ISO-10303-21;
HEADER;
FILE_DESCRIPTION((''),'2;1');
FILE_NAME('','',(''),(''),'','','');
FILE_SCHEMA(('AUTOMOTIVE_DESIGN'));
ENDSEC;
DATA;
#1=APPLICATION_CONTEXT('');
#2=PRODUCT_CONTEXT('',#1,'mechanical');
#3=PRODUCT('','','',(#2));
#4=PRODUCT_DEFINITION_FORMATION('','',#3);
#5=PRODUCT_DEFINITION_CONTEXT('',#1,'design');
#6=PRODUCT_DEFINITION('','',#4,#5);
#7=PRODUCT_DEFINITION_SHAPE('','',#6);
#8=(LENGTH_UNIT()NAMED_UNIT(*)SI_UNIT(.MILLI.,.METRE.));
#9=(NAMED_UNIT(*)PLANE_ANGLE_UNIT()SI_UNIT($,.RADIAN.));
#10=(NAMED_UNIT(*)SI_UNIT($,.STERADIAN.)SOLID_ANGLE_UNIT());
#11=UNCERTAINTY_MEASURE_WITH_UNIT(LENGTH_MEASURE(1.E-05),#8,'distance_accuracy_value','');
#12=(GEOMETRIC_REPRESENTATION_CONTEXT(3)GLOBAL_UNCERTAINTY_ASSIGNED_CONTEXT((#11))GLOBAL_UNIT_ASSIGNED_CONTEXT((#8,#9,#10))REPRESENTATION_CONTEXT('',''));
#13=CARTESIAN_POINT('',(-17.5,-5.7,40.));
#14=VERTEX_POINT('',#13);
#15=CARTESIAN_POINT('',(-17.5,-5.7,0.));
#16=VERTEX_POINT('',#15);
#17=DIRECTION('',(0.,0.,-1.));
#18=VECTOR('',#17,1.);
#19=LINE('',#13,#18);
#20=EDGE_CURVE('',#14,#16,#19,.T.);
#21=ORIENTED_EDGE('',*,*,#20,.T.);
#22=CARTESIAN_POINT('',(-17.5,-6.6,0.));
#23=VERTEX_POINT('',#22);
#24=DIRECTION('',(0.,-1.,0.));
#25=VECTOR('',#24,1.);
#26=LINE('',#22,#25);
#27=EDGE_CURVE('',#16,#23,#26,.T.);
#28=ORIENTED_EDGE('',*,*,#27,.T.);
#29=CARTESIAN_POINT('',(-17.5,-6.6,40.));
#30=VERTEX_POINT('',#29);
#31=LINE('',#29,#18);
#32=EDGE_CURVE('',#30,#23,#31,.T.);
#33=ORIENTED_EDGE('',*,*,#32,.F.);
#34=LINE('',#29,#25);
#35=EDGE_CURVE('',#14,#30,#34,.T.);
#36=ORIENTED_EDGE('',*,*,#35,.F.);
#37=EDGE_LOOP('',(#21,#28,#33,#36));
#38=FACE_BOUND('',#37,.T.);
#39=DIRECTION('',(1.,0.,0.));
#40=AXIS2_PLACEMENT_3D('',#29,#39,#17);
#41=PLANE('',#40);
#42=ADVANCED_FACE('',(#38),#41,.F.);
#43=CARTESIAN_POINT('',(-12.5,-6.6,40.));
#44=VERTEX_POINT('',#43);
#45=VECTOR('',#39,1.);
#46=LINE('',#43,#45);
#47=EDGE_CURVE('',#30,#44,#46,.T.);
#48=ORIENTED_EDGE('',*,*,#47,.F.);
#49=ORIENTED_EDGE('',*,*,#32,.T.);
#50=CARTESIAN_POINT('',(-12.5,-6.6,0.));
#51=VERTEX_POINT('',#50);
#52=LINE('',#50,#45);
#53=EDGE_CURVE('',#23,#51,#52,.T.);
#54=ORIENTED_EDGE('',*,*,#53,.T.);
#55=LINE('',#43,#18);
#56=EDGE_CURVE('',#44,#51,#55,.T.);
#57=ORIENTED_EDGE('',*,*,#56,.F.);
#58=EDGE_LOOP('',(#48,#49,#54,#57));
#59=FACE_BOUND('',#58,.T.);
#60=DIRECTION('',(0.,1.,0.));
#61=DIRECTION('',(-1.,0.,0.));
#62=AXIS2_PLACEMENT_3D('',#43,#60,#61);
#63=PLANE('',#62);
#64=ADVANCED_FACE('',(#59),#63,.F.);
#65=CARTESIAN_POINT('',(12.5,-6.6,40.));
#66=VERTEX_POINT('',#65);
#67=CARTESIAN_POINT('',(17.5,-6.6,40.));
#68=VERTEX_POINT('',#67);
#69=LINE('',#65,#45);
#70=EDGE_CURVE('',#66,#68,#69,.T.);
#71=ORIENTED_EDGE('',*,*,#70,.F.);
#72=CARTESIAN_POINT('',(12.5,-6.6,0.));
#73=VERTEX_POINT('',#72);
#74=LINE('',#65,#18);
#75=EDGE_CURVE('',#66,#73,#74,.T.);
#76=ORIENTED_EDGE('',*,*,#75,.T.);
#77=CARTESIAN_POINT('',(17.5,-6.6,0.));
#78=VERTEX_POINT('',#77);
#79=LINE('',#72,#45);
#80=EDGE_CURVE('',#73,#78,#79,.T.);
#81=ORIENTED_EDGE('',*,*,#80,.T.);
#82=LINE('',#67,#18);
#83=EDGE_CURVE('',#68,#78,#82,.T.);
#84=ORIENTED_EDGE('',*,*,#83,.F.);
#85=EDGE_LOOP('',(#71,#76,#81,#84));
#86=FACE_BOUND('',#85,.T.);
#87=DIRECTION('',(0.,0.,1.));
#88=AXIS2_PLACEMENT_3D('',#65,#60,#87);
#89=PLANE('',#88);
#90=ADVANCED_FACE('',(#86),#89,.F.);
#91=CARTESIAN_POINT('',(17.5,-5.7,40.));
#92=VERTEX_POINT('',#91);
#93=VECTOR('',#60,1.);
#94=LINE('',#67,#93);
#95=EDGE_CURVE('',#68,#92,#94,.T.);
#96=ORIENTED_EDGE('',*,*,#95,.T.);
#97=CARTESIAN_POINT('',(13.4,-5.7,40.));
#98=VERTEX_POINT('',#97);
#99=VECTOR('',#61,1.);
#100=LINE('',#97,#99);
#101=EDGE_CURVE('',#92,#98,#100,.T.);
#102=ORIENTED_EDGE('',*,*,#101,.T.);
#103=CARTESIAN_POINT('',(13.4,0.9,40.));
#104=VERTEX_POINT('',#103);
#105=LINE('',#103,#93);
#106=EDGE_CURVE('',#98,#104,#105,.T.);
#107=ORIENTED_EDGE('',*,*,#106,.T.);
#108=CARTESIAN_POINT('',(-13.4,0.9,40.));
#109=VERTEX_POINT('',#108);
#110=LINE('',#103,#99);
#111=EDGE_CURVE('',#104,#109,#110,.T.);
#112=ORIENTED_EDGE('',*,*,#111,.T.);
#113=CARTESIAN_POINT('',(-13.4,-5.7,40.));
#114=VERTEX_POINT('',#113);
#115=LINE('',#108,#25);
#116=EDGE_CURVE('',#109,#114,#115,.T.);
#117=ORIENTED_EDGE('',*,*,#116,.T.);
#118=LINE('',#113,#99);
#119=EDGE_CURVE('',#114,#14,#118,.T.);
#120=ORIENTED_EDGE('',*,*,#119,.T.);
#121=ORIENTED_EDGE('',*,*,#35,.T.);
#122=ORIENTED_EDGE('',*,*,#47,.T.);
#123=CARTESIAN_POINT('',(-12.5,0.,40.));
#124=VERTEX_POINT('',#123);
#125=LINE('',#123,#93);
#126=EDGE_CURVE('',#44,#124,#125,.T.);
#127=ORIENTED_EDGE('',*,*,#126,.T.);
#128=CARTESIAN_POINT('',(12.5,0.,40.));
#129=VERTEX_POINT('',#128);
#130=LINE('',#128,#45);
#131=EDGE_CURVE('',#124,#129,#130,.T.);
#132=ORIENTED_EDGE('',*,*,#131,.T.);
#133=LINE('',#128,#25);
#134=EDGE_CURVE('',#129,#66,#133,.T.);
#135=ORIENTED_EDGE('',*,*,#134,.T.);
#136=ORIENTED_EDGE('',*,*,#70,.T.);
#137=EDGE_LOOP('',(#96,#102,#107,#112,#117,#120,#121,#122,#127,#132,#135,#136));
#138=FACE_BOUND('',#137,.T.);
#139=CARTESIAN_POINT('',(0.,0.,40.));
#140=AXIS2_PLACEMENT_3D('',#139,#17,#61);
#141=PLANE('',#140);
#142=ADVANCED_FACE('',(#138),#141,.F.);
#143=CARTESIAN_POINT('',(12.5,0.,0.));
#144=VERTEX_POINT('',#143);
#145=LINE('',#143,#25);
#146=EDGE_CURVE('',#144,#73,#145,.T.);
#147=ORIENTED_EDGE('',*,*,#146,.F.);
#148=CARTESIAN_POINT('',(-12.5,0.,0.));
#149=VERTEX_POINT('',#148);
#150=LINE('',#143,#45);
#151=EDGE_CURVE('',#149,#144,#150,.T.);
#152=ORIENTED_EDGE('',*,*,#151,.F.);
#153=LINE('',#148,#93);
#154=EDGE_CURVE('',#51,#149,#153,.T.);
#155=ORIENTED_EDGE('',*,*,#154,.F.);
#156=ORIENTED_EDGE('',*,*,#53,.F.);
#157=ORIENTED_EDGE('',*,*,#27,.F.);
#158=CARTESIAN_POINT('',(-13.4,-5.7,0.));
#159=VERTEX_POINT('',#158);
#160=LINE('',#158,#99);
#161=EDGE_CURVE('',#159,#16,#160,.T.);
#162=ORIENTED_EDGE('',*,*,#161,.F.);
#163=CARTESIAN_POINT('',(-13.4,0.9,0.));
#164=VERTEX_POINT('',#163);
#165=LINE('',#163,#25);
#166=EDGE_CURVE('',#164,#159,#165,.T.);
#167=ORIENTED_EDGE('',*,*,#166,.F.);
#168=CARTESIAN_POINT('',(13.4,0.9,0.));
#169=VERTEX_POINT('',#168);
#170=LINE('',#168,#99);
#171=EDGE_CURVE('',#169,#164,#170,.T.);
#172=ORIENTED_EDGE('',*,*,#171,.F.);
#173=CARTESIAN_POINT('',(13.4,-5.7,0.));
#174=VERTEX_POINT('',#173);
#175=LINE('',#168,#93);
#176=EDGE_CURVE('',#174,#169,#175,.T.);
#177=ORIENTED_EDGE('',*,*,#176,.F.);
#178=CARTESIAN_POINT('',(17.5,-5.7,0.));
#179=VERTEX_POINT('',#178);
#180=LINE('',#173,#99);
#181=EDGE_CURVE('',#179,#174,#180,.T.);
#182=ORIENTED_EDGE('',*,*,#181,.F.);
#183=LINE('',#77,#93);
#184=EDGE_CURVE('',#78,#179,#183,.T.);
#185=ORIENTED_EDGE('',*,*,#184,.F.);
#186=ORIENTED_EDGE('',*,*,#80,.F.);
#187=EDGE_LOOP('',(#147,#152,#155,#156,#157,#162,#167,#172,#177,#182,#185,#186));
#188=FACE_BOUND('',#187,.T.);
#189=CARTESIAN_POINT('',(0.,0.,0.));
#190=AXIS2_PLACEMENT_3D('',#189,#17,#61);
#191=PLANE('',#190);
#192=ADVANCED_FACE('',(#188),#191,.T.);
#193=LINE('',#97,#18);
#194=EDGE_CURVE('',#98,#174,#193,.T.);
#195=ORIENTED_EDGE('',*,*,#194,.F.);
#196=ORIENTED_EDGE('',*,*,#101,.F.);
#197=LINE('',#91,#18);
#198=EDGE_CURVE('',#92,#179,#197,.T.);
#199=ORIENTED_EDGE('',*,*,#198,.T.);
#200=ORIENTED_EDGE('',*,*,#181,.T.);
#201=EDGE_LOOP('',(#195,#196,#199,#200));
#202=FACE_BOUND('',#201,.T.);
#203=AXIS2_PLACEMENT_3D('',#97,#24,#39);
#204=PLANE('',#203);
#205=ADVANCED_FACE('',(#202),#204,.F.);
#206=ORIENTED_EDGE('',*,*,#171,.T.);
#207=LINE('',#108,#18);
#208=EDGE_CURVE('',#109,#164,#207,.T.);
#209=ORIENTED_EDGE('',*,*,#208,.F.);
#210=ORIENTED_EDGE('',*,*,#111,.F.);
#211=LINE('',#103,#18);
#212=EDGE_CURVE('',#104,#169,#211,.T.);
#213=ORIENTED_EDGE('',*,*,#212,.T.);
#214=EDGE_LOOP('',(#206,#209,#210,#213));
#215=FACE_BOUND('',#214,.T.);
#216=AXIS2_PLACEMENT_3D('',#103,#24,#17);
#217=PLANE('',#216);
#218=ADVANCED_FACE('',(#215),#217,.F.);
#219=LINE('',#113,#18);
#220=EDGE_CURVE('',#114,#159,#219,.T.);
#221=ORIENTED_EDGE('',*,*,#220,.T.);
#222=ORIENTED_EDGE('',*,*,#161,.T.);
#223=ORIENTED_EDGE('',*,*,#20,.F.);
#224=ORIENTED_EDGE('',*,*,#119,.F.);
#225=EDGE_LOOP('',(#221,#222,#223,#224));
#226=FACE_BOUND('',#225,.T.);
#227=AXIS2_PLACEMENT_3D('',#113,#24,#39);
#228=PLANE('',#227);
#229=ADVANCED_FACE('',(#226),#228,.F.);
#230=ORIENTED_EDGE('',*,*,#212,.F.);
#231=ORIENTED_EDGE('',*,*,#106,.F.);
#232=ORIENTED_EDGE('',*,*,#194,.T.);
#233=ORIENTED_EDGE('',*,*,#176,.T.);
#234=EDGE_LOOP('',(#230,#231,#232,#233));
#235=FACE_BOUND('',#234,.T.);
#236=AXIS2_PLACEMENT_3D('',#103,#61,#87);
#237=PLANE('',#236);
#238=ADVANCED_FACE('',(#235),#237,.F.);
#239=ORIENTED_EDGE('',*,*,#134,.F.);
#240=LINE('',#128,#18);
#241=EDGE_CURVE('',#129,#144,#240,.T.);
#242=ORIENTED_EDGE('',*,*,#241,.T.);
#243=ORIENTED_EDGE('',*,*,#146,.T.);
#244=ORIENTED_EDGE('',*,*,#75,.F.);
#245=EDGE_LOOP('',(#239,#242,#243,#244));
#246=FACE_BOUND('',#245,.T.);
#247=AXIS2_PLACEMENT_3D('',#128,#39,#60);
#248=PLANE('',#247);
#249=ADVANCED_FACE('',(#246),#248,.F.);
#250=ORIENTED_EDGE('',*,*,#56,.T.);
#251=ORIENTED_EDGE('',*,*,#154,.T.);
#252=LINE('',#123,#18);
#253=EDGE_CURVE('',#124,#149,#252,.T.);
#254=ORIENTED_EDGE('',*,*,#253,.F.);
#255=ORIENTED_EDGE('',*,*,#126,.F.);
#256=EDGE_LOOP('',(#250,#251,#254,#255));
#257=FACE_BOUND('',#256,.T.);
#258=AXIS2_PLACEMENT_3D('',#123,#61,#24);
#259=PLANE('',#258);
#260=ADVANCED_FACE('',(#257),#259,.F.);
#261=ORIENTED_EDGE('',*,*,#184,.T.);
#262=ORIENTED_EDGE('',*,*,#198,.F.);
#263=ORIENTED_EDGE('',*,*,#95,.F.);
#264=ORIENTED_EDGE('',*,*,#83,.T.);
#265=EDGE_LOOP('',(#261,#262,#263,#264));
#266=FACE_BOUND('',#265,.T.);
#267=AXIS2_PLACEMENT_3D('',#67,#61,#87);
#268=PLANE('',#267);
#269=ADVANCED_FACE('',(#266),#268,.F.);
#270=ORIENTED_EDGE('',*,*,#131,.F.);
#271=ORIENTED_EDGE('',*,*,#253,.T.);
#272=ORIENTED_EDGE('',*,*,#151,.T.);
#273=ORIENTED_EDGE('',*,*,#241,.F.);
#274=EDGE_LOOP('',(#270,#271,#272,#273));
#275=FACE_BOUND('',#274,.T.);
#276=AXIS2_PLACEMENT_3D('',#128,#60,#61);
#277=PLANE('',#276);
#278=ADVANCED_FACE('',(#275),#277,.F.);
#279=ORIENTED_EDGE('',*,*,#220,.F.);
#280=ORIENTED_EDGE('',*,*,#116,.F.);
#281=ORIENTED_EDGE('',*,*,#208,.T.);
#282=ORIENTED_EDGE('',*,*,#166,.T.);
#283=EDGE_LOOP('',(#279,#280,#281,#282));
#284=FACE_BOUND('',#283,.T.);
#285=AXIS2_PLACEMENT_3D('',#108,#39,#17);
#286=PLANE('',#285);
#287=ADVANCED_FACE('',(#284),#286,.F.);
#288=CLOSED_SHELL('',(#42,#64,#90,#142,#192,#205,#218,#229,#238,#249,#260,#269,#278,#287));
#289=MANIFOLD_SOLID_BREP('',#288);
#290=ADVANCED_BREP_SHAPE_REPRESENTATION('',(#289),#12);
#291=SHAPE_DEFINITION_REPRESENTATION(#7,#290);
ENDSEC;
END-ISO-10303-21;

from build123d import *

# Parameters (mm, degrees)
EXTRUDE_1_DEPTH = 40


with BuildPart() as part:
    # 草图1 → 凸台-拉伸1 (new body)
    with BuildSketch(Plane.XY):
        Polygon((12.5, 0), (-12.5, 0), (-12.5, -6.6), (-17.5, -6.6), (-17.5, -5.7), (-13.4, -5.7), (-13.4, 0.9), (13.4, 0.9), (13.4, -5.7), (17.5, -5.7), (17.5, -6.6), (12.5, -6.6), align=None)
    extrude(amount=EXTRUDE_1_DEPTH)


solid = part.part
